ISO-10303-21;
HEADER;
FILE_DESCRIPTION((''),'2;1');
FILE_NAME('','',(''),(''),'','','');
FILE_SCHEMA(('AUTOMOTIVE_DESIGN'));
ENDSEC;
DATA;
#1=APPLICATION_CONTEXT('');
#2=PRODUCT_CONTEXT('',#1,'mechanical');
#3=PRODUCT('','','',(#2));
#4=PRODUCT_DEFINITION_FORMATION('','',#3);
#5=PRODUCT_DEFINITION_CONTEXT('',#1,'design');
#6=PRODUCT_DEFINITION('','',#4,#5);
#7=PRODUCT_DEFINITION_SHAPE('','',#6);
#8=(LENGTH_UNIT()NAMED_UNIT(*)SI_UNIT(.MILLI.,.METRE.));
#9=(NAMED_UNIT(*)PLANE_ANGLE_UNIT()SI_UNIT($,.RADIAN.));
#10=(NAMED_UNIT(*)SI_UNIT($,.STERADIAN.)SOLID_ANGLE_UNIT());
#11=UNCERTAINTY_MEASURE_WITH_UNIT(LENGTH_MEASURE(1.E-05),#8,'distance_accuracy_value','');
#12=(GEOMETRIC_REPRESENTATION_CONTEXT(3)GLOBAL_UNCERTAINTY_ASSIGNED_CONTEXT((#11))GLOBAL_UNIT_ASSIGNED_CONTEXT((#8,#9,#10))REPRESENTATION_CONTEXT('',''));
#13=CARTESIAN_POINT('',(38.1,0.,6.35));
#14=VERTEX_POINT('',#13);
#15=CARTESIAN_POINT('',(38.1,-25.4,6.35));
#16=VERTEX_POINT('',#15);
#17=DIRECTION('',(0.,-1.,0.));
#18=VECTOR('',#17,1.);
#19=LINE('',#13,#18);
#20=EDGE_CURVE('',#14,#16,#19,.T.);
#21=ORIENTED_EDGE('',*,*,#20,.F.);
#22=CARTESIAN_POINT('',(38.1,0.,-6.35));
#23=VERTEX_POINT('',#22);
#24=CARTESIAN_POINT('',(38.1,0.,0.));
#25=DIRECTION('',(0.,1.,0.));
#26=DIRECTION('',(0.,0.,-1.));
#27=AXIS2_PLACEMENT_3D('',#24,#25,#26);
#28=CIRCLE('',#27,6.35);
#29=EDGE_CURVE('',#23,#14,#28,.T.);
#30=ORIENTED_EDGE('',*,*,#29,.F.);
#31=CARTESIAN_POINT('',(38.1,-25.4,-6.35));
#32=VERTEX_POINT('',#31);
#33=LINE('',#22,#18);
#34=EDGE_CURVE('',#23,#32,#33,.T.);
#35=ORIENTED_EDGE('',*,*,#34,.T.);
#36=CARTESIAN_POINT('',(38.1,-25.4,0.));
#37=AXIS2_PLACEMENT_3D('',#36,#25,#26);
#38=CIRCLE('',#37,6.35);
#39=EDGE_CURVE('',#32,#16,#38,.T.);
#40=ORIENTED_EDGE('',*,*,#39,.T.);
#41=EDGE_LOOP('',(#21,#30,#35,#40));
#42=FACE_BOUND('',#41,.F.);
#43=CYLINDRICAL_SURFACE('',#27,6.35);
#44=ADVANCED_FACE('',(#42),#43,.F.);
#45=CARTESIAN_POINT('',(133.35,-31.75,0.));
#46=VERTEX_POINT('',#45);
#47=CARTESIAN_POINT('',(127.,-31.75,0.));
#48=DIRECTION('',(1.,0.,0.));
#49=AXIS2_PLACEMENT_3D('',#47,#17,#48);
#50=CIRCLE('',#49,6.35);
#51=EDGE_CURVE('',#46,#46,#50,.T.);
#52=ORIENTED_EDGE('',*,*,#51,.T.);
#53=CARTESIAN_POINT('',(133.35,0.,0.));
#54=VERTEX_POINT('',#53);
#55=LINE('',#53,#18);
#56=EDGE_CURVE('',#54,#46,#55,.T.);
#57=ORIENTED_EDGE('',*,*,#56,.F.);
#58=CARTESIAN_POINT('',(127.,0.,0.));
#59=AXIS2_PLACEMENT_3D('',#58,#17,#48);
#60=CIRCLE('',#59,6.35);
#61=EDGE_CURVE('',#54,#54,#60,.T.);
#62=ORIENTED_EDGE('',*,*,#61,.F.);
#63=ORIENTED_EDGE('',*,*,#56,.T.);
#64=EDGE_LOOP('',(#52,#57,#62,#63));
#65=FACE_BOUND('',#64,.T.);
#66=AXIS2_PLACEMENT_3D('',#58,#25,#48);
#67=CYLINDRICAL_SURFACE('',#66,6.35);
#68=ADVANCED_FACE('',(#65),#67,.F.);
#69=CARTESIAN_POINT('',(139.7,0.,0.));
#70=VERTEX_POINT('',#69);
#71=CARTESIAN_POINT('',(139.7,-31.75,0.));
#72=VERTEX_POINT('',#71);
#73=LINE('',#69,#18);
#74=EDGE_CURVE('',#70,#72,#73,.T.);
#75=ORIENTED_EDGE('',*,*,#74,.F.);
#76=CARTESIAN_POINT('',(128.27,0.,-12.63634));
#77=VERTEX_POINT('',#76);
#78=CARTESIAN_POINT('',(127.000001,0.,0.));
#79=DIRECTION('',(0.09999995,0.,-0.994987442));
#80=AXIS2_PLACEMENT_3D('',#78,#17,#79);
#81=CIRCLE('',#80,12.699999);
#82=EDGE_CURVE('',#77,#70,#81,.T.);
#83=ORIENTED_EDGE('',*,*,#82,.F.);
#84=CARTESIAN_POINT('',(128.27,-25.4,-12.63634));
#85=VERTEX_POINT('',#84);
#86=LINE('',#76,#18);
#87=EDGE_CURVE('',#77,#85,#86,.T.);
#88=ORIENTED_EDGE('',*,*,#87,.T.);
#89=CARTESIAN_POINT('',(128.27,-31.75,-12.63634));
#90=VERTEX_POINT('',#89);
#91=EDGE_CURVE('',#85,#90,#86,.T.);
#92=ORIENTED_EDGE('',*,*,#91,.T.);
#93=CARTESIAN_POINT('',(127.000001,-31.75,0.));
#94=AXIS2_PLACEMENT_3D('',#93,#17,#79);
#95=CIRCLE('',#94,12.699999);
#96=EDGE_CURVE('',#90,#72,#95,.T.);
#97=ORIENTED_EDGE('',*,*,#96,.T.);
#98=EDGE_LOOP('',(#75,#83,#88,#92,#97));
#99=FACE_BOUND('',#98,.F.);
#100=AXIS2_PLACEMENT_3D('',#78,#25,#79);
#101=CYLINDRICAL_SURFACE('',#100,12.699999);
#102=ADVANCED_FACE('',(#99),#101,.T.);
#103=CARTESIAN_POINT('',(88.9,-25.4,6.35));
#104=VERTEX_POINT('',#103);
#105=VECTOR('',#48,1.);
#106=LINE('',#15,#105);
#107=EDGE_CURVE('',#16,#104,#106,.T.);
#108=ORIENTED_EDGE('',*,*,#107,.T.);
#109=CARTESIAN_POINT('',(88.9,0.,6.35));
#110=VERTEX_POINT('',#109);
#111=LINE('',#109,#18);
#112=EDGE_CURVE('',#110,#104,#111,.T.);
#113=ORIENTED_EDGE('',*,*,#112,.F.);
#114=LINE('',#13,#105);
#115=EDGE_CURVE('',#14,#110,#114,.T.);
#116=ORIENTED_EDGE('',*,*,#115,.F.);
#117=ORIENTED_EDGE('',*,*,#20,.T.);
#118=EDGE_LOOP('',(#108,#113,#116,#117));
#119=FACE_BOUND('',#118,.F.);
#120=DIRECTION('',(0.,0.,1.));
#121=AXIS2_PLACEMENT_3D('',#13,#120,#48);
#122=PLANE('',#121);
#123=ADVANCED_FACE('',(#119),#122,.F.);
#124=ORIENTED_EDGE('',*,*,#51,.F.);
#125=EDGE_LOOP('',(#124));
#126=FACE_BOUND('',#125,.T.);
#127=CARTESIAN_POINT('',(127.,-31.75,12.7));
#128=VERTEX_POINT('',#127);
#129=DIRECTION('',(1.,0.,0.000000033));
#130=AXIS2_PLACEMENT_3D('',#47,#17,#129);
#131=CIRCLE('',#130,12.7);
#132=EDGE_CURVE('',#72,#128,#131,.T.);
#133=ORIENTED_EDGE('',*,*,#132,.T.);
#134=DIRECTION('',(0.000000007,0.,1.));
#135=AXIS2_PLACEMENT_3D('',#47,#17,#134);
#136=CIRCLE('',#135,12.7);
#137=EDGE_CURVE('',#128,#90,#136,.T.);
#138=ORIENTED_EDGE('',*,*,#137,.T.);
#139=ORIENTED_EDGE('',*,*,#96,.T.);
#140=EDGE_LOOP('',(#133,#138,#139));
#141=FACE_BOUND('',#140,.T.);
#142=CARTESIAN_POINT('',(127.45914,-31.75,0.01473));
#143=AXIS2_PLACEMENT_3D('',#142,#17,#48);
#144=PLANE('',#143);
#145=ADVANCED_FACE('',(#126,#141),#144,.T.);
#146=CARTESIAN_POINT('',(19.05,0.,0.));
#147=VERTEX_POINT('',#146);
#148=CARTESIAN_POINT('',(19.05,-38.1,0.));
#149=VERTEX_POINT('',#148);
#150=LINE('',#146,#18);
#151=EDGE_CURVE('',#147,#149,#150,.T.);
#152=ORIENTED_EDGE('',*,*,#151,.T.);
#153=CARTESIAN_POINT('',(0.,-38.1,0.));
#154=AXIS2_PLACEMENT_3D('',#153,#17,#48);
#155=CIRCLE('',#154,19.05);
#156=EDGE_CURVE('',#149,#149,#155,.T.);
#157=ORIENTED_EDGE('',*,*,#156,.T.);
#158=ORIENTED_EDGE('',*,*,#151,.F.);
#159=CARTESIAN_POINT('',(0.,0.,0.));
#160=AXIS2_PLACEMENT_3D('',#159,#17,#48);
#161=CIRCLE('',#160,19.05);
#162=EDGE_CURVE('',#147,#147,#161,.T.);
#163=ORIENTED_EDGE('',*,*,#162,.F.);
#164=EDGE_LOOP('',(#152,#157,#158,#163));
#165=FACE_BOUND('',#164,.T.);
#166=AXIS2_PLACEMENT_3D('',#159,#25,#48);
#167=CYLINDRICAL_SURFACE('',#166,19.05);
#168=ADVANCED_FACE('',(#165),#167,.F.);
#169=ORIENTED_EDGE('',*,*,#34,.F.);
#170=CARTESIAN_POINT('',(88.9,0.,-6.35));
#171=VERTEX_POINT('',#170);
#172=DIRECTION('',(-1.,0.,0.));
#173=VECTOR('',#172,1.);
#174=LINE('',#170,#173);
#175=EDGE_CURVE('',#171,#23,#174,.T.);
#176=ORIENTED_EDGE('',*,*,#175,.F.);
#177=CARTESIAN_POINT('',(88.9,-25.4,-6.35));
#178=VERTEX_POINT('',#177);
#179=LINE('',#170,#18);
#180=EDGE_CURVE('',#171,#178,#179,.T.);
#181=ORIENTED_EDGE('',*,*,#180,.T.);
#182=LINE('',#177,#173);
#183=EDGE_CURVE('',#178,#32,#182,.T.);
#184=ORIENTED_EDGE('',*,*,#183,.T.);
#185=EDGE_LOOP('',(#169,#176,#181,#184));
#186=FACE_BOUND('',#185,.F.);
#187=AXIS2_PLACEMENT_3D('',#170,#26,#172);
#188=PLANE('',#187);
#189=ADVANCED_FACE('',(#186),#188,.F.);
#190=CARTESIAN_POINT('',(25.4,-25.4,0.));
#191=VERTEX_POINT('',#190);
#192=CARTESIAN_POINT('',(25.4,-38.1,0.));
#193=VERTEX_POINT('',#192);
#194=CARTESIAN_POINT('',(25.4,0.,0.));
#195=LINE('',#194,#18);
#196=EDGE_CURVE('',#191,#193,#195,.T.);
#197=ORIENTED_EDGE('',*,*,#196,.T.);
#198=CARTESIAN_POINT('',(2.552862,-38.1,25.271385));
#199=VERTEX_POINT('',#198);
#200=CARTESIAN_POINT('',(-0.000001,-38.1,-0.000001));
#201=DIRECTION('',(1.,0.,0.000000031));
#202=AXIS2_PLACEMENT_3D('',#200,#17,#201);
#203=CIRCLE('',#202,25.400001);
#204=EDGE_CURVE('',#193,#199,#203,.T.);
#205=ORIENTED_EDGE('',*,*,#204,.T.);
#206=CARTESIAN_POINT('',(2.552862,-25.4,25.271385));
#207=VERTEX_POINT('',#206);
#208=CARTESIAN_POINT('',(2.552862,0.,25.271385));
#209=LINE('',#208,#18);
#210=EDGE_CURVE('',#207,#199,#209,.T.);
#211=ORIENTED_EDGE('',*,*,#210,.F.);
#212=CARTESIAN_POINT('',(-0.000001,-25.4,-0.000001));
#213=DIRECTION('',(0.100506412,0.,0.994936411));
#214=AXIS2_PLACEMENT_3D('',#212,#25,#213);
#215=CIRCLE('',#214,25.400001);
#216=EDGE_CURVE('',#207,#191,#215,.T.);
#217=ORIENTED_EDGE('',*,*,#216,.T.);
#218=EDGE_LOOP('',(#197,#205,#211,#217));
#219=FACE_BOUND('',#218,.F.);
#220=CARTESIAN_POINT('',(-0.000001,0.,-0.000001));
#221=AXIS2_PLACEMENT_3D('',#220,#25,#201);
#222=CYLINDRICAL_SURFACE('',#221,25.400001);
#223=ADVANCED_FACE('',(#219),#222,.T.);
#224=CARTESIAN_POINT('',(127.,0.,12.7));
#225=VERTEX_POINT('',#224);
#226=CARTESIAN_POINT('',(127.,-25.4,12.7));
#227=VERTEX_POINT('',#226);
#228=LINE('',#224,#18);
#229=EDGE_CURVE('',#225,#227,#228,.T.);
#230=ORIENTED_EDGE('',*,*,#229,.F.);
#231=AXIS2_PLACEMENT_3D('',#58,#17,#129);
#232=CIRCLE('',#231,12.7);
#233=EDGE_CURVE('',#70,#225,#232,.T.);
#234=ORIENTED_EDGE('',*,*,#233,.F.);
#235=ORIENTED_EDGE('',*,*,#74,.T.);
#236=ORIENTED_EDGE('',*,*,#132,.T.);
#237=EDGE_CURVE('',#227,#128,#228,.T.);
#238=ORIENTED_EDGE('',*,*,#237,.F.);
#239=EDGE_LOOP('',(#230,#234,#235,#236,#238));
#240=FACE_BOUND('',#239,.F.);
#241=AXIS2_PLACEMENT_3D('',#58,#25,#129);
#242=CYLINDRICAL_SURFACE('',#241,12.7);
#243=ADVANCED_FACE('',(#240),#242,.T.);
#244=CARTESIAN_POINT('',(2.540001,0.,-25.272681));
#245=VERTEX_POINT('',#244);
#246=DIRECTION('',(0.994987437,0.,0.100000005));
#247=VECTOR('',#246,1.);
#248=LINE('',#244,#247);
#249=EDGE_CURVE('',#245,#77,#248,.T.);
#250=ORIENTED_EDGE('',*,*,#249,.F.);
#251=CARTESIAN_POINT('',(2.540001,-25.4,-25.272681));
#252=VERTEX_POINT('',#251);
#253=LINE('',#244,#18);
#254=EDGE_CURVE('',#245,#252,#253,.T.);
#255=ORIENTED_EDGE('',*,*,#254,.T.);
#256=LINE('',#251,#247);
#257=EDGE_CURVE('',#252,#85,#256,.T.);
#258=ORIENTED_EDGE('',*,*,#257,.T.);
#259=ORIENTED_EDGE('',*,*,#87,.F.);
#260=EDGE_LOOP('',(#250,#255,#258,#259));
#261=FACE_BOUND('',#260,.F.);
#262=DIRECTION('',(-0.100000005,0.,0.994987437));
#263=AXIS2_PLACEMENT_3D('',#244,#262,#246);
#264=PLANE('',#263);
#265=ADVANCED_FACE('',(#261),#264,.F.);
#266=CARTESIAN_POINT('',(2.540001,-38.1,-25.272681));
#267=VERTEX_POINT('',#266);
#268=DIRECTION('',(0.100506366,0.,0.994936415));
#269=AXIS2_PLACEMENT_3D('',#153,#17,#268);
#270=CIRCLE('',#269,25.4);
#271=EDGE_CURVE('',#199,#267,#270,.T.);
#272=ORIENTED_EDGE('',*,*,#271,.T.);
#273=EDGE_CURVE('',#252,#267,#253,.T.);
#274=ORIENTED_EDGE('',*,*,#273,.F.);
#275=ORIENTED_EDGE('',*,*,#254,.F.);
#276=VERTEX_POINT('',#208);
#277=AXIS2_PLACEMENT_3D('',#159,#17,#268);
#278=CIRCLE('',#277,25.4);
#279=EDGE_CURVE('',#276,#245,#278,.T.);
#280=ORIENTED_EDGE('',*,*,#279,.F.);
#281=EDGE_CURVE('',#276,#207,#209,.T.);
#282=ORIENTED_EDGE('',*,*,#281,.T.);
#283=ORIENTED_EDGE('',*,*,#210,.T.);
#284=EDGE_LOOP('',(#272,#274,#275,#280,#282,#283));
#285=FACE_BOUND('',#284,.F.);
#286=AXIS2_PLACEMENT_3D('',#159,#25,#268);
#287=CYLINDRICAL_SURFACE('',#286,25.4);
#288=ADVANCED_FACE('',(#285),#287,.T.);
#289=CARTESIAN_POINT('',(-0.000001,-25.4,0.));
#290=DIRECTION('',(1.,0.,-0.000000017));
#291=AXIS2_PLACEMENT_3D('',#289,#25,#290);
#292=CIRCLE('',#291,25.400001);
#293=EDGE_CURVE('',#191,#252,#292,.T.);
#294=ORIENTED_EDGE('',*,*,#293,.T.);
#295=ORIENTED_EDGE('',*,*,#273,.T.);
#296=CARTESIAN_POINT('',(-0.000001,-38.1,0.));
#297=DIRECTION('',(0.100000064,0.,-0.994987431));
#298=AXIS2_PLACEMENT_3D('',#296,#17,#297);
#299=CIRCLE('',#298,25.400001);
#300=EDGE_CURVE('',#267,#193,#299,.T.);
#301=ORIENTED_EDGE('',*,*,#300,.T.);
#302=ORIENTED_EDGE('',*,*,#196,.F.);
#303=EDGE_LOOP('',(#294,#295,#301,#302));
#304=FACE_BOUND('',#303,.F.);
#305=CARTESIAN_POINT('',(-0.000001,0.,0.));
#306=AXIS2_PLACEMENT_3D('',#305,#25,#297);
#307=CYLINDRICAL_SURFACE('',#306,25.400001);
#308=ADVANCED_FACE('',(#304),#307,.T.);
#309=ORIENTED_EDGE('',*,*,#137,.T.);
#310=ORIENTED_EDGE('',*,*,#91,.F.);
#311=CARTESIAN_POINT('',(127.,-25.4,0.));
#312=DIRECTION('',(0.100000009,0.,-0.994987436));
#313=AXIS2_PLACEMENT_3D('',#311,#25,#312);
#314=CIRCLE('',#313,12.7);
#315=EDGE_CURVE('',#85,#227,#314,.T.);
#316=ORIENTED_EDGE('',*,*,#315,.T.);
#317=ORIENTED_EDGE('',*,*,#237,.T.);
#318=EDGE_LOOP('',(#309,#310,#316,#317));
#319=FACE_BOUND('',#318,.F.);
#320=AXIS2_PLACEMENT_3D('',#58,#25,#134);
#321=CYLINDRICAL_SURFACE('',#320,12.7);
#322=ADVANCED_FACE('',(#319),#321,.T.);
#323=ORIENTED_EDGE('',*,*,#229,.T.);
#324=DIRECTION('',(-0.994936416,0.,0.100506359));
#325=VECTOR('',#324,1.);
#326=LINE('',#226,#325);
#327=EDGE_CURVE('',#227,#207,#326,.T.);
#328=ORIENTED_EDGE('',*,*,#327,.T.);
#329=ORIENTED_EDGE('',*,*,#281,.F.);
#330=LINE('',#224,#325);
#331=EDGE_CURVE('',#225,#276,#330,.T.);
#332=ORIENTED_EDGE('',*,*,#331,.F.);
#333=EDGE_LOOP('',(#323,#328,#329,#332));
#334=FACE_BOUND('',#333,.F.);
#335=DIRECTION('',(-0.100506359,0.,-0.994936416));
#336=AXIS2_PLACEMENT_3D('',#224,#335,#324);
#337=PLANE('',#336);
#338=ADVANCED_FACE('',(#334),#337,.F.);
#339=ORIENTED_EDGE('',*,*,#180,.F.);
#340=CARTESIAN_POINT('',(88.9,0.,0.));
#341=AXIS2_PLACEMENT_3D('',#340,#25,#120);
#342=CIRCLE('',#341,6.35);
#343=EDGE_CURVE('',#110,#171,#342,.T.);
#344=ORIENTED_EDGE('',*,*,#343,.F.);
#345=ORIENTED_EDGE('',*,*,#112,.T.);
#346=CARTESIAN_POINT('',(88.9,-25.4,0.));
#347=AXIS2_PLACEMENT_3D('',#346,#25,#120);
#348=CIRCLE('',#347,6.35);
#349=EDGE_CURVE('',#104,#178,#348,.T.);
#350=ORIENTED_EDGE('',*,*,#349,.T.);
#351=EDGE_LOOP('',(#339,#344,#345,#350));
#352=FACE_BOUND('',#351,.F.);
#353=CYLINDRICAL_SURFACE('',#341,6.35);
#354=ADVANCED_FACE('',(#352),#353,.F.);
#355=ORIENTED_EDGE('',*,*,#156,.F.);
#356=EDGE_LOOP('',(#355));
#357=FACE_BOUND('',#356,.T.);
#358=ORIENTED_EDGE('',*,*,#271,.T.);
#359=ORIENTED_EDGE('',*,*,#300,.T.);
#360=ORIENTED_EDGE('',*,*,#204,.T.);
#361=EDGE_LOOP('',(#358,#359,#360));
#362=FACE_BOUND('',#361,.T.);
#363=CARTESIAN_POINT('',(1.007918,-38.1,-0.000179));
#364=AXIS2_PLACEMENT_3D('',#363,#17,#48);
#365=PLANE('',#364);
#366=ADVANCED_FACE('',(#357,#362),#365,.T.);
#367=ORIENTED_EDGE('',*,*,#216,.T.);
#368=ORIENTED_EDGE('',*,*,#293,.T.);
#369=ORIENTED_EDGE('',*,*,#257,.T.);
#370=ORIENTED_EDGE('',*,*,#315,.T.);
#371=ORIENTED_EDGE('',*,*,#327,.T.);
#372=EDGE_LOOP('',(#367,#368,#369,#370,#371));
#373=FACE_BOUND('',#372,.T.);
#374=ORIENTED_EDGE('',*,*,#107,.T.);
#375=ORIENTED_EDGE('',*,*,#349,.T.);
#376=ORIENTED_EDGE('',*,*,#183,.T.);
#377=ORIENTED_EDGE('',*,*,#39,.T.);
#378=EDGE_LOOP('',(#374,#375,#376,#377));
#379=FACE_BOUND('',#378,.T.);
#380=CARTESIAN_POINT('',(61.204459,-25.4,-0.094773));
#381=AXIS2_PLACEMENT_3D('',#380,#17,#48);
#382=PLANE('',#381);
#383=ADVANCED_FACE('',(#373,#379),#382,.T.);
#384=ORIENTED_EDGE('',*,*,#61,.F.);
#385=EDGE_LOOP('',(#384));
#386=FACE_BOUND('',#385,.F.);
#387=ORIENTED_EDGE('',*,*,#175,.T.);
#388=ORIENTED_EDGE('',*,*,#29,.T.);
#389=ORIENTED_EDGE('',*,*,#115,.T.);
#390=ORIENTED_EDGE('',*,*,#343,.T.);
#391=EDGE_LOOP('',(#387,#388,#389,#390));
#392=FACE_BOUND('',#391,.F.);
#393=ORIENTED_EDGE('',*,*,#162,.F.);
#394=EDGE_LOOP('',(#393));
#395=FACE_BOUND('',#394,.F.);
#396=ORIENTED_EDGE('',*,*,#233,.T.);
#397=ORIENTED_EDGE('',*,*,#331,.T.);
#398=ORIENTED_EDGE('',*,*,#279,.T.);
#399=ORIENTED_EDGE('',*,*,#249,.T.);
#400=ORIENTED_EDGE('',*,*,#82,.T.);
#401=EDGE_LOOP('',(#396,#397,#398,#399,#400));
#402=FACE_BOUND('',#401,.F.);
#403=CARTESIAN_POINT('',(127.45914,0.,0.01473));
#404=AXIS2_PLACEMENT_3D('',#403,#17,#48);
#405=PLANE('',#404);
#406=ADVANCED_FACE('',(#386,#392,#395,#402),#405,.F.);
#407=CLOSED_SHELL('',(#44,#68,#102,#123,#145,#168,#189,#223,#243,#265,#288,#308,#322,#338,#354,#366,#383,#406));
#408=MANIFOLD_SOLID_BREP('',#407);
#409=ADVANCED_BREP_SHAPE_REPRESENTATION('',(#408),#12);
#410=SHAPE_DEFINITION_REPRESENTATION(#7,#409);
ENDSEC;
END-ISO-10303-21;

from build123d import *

# Parameters (mm, degrees)
F0_R     = 19.05
F1_DEPTH = 38.1
F2_DEPTH = 25.4
F0_R_2   = 6.35
F3_DEPTH = 31.75


with BuildPart() as f1:
    # F0 (on Front) → F1 (new body)
    with BuildSketch(Plane.XZ):
        with BuildLine():
            ThreePointArc((2.540001, -25.272681), (18.837144, -17.038838), (25.4, 0))
            ThreePointArc((25.4, 0), (18.841479, 17.034044), (2.552862, 25.271385))
            ThreePointArc((2.552862, 25.271385), (-25.399999, 0.006463), (2.540001, -25.272681))
        make_face()
        Circle(F0_R, mode=Mode.SUBTRACT)
    extrude(amount=F1_DEPTH)

    # F0 (on Front) → F2 (join)
    with BuildSketch(Plane.XZ):
        with BuildLine():
            ThreePointArc((2.552862, 25.271385), (18.841479, 17.034044), (25.4, 0))
            ThreePointArc((25.4, 0), (18.837144, -17.038838), (2.540001, -25.272681))
            Line((2.540001, -25.272681), (128.27, -12.63634))
            ThreePointArc((128.27, -12.63634), (114.315925, -0.635797), (127, 12.7))
            Line((127, 12.7), (2.552862, 25.271385))
        make_face()
        with BuildLine():
            ThreePointArc((38.1, -6.35), (31.75, 0), (38.1, 6.35))
            Line((38.1, 6.35), (88.9, 6.35))
            ThreePointArc((88.9, 6.35), (95.25, 0), (88.9, -6.35))
            Line((88.9, -6.35), (38.1, -6.35))
        make_face(mode=Mode.SUBTRACT)
    extrude(amount=F2_DEPTH)

    # F0 (on Front) → F3 (join)
    with BuildSketch(Plane.XZ):
        with BuildLine():
            ThreePointArc((139.7, 0), (135.980256, 8.980256), (127, 12.7))
            ThreePointArc((127, 12.7), (114.315925, -0.635797), (128.27, -12.63634))
            ThreePointArc((128.27, -12.63634), (136.418572, -8.519419), (139.7, 0))
        make_face()
        with Locations((127, 0)):
            Circle(F0_R_2, mode=Mode.SUBTRACT)
    extrude(amount=F3_DEPTH)


solid = f1.part
